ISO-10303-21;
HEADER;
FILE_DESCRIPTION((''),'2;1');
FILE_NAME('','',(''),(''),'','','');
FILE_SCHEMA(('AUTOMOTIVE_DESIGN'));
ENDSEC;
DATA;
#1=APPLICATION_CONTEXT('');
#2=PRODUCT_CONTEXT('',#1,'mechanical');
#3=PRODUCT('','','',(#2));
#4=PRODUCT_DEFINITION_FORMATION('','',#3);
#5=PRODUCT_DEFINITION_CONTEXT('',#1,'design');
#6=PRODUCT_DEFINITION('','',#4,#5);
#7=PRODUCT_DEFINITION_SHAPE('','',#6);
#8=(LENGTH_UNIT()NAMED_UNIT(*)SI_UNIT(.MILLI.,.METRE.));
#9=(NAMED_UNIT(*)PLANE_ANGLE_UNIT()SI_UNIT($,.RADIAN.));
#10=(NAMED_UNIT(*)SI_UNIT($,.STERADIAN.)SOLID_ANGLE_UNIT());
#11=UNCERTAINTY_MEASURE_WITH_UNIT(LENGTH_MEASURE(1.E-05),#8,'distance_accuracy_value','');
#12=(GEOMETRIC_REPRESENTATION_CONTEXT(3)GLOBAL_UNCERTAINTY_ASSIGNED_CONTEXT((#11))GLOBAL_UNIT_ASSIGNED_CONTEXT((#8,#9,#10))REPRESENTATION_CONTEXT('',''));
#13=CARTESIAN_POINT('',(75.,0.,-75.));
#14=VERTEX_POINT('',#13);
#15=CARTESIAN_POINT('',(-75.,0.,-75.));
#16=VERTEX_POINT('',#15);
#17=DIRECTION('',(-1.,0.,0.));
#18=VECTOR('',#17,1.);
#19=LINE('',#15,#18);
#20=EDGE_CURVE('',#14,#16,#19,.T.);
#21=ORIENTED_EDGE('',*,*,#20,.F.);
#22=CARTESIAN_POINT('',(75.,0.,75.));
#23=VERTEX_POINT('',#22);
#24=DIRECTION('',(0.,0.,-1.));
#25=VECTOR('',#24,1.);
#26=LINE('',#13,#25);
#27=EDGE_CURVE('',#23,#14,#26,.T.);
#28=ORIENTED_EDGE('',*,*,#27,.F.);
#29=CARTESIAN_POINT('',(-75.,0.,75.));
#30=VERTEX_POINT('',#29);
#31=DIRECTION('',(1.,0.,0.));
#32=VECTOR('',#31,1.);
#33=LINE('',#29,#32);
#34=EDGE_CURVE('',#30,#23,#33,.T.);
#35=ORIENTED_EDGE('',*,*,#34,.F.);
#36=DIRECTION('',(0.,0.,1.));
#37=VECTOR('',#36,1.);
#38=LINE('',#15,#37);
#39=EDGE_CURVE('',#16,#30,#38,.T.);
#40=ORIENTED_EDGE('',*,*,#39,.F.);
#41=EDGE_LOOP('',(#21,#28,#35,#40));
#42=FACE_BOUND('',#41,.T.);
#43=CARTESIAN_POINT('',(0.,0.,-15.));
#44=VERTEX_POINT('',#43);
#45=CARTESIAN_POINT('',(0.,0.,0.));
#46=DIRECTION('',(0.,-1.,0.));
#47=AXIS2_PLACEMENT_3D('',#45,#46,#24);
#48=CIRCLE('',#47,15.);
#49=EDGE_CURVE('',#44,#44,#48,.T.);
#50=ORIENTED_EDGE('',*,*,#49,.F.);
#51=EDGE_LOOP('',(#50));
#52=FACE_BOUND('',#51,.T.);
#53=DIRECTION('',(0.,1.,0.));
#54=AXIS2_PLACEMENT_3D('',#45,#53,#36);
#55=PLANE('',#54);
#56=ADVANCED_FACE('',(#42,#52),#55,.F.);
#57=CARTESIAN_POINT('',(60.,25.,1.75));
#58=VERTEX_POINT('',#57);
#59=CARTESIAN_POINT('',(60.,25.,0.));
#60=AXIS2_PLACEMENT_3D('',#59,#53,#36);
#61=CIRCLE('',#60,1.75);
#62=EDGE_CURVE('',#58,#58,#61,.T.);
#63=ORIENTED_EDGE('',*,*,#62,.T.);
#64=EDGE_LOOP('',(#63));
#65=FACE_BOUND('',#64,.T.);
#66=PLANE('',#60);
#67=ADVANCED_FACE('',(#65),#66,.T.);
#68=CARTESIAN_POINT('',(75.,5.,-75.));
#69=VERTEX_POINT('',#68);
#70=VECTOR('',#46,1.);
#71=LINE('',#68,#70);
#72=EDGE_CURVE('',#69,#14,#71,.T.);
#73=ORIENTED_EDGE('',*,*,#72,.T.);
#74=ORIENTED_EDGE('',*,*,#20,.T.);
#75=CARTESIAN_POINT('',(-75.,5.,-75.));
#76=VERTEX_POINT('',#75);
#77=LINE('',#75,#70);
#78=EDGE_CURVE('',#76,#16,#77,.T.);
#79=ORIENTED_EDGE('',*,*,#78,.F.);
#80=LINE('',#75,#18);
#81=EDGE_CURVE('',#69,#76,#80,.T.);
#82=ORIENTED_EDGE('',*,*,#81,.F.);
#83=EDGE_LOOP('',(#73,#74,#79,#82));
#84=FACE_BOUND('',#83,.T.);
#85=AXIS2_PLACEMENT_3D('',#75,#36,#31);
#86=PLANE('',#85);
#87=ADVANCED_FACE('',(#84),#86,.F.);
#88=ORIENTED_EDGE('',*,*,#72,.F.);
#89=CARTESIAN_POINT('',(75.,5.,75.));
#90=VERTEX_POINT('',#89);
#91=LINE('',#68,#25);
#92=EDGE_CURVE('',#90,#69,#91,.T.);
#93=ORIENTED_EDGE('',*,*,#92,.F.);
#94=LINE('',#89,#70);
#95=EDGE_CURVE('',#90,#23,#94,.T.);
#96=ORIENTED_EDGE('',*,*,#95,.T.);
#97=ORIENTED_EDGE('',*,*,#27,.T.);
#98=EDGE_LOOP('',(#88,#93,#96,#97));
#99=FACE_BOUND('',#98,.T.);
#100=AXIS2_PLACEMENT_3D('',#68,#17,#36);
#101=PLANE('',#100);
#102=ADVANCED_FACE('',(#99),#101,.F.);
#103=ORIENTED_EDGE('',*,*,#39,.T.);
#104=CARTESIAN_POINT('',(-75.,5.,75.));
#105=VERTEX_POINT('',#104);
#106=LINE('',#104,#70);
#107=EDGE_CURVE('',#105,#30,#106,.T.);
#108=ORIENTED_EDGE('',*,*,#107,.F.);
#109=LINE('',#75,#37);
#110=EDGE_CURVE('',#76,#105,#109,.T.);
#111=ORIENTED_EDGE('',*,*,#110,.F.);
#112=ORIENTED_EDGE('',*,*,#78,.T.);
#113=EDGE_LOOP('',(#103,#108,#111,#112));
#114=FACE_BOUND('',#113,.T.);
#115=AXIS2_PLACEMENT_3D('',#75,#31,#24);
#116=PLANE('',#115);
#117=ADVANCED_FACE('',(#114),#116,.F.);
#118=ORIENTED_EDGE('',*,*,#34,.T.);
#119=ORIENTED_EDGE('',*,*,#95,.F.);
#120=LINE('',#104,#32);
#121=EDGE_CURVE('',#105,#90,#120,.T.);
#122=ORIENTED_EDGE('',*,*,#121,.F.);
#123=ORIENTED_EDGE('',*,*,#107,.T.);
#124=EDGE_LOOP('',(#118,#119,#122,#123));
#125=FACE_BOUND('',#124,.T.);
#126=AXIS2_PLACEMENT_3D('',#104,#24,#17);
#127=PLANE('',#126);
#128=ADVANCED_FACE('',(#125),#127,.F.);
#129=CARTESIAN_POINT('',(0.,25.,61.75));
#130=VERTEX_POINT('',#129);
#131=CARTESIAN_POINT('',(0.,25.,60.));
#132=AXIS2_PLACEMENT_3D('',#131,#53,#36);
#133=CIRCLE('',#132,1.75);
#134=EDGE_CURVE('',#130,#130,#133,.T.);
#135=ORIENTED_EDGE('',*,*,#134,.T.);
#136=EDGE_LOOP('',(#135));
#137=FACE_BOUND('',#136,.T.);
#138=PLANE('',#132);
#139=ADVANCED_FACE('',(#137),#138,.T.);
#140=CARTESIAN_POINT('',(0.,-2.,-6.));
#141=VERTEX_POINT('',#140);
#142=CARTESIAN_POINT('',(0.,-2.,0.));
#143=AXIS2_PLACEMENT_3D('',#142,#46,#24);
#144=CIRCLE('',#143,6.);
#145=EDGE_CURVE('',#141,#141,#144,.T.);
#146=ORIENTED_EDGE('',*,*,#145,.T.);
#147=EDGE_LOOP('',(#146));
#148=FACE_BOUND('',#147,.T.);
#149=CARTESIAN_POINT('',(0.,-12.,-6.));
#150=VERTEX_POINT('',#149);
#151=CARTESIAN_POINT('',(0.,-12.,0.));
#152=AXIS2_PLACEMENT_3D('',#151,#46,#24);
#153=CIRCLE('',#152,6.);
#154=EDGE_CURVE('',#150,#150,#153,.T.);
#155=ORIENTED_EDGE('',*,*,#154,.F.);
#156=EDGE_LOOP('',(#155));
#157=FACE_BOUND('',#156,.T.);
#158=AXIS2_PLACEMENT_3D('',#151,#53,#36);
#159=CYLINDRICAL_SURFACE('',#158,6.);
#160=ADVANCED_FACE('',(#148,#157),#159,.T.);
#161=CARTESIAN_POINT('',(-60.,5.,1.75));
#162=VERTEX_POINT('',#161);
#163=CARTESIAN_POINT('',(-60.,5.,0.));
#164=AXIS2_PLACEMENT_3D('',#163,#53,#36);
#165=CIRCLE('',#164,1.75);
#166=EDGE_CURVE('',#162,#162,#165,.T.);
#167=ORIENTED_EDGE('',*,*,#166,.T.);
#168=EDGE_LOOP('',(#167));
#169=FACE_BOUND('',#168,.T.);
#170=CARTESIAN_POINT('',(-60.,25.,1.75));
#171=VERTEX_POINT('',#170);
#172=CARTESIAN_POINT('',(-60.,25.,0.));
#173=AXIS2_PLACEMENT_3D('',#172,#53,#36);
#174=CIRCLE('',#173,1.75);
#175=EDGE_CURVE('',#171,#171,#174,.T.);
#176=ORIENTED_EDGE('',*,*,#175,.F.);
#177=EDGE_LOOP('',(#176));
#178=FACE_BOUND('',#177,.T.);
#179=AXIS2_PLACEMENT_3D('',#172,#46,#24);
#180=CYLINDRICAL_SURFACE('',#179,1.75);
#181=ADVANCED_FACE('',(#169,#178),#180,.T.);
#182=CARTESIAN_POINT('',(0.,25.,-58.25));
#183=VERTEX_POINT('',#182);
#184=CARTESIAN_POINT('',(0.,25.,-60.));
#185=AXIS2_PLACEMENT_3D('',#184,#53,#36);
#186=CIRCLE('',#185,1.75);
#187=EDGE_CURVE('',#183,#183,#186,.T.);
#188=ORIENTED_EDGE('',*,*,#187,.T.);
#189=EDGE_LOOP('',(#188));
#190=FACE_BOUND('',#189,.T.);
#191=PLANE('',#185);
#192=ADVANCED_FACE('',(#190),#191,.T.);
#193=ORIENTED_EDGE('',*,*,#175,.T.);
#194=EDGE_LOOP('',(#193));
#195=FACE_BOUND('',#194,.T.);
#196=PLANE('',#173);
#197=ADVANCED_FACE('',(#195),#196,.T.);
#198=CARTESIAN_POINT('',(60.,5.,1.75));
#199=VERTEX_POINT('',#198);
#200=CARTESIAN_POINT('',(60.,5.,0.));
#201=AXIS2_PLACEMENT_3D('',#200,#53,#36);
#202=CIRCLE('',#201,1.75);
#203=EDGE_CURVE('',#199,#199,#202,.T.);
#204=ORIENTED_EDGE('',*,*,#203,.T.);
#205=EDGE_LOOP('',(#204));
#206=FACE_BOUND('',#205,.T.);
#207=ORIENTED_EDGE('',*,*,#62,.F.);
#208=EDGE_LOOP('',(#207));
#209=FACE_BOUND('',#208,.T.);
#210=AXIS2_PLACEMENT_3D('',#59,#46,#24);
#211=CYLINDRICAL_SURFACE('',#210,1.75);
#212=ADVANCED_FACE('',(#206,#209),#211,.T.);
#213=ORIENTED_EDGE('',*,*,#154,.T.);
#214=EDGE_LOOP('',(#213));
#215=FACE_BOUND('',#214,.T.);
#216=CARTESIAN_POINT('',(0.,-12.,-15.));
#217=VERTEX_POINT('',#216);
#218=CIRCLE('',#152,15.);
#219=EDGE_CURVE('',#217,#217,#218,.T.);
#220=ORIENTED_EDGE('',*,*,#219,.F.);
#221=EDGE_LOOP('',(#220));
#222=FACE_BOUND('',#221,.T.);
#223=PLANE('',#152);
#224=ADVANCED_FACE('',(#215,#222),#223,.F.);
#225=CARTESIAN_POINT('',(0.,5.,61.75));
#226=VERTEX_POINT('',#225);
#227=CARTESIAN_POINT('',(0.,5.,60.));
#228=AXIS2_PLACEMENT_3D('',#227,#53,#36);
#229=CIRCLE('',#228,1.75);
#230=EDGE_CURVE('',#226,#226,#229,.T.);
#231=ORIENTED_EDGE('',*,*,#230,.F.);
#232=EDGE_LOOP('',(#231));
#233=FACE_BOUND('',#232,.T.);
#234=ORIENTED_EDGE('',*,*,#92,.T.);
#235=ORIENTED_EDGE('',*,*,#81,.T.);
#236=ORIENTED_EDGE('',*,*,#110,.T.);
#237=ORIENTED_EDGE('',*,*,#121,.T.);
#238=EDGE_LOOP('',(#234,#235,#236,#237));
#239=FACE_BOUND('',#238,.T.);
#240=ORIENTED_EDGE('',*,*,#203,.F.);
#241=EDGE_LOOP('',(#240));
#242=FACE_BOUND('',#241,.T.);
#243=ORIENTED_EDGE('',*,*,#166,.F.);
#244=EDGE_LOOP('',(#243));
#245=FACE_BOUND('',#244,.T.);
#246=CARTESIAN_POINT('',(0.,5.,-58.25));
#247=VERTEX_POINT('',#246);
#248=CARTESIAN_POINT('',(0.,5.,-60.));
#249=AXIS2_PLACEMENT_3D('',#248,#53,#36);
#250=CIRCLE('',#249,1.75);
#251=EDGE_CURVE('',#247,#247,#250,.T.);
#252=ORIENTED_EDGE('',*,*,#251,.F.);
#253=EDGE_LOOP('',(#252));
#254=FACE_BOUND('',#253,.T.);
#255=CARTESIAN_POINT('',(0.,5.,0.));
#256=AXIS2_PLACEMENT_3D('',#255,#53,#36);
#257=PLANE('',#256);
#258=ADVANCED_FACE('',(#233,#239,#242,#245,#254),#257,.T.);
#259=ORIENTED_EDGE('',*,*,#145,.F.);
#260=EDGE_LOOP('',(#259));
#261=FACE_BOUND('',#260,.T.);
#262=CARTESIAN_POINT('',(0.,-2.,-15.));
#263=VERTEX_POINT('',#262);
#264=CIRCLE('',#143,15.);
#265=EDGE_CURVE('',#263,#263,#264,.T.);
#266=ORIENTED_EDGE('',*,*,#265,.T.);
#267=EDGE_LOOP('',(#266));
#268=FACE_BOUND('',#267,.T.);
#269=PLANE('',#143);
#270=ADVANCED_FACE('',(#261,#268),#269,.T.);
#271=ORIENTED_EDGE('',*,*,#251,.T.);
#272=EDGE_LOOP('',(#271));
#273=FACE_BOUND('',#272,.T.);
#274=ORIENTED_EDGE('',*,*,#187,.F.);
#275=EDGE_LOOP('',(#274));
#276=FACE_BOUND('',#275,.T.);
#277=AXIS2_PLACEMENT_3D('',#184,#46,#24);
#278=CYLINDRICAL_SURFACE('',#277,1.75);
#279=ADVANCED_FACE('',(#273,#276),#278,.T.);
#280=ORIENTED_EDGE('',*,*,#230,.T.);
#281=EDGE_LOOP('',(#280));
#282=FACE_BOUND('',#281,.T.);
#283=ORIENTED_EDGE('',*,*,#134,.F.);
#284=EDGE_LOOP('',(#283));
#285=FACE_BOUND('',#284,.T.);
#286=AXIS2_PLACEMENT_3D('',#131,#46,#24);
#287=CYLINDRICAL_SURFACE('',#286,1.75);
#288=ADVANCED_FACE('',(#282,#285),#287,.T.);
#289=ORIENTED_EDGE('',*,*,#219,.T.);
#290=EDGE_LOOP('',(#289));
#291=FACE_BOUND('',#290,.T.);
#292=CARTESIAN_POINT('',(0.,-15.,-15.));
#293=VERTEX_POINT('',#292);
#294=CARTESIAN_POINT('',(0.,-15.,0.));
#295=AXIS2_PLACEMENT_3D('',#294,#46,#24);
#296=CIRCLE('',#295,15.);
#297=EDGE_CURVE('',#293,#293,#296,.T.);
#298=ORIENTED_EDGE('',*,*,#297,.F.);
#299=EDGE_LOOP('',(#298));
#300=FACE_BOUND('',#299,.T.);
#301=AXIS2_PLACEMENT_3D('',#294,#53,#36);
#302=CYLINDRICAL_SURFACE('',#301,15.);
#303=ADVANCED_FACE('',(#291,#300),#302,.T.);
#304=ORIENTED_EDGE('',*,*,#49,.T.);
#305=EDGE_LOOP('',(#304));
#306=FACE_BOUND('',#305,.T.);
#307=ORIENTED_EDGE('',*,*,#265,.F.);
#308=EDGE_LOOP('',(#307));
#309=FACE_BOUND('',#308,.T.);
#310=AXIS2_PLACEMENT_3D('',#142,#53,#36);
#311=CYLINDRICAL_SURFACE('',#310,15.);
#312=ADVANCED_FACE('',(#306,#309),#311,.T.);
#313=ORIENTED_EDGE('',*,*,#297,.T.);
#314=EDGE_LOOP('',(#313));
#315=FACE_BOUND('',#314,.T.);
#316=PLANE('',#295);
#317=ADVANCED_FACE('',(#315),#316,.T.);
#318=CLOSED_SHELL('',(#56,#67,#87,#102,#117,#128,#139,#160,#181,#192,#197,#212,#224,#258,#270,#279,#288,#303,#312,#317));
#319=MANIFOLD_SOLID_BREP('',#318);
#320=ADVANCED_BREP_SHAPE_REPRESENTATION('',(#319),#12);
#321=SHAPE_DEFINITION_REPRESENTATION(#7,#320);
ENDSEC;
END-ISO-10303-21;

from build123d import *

# Parameters (mm, degrees)
SKETCH1_W           = 150
SKETCH1_H           = 150
BOSS_EXTRUDE1_DEPTH = 5
SKETCH2_R           = 1.75
BOSS_EXTRUDE2_DEPTH = 20
SKETCH3_R           = 15
BOSS_EXTRUDE4_DEPTH = 2
SKETCH5_R           = 6
BOSS_EXTRUDE5_DEPTH = 10
SKETCH6_R           = 15
BOSS_EXTRUDE6_DEPTH = 3


with BuildPart() as part:
    # Sketch1 → Boss-Extrude1 (new body)
    with BuildSketch(Plane(origin=(0, 0, 0), x_dir=(1, 0, 0), z_dir=(0, 1, 0))):
        Rectangle(SKETCH1_W, SKETCH1_H)
    extrude(amount=BOSS_EXTRUDE1_DEPTH)

    # Sketch2 → Boss-Extrude2 (add)
    with BuildSketch(Plane(origin=(0, 5, 0), x_dir=(1, 0, 0), z_dir=(0, 1, 0))):
        with Locations((-60, 0)):
            Circle(SKETCH2_R)
        with Locations((0, 60)):
            Circle(SKETCH2_R)
        with Locations((60, 0)):
            Circle(SKETCH2_R)
        with Locations((0, -60)):
            Circle(SKETCH2_R)
    extrude(amount=BOSS_EXTRUDE2_DEPTH)

    # Sketch3 → Boss-Extrude4 (add)
    with BuildSketch(Plane.XZ):
        Circle(SKETCH3_R)
    extrude(amount=BOSS_EXTRUDE4_DEPTH)

    # Sketch5 → Boss-Extrude5 (add)
    with BuildSketch(Plane.XZ.offset(2)):
        Circle(SKETCH5_R)
    extrude(amount=BOSS_EXTRUDE5_DEPTH)

    # Sketch6 → Boss-Extrude6 (add)
    with BuildSketch(Plane.XZ.offset(12)):
        Circle(SKETCH6_R)
    extrude(amount=BOSS_EXTRUDE6_DEPTH)


solid = part.part
